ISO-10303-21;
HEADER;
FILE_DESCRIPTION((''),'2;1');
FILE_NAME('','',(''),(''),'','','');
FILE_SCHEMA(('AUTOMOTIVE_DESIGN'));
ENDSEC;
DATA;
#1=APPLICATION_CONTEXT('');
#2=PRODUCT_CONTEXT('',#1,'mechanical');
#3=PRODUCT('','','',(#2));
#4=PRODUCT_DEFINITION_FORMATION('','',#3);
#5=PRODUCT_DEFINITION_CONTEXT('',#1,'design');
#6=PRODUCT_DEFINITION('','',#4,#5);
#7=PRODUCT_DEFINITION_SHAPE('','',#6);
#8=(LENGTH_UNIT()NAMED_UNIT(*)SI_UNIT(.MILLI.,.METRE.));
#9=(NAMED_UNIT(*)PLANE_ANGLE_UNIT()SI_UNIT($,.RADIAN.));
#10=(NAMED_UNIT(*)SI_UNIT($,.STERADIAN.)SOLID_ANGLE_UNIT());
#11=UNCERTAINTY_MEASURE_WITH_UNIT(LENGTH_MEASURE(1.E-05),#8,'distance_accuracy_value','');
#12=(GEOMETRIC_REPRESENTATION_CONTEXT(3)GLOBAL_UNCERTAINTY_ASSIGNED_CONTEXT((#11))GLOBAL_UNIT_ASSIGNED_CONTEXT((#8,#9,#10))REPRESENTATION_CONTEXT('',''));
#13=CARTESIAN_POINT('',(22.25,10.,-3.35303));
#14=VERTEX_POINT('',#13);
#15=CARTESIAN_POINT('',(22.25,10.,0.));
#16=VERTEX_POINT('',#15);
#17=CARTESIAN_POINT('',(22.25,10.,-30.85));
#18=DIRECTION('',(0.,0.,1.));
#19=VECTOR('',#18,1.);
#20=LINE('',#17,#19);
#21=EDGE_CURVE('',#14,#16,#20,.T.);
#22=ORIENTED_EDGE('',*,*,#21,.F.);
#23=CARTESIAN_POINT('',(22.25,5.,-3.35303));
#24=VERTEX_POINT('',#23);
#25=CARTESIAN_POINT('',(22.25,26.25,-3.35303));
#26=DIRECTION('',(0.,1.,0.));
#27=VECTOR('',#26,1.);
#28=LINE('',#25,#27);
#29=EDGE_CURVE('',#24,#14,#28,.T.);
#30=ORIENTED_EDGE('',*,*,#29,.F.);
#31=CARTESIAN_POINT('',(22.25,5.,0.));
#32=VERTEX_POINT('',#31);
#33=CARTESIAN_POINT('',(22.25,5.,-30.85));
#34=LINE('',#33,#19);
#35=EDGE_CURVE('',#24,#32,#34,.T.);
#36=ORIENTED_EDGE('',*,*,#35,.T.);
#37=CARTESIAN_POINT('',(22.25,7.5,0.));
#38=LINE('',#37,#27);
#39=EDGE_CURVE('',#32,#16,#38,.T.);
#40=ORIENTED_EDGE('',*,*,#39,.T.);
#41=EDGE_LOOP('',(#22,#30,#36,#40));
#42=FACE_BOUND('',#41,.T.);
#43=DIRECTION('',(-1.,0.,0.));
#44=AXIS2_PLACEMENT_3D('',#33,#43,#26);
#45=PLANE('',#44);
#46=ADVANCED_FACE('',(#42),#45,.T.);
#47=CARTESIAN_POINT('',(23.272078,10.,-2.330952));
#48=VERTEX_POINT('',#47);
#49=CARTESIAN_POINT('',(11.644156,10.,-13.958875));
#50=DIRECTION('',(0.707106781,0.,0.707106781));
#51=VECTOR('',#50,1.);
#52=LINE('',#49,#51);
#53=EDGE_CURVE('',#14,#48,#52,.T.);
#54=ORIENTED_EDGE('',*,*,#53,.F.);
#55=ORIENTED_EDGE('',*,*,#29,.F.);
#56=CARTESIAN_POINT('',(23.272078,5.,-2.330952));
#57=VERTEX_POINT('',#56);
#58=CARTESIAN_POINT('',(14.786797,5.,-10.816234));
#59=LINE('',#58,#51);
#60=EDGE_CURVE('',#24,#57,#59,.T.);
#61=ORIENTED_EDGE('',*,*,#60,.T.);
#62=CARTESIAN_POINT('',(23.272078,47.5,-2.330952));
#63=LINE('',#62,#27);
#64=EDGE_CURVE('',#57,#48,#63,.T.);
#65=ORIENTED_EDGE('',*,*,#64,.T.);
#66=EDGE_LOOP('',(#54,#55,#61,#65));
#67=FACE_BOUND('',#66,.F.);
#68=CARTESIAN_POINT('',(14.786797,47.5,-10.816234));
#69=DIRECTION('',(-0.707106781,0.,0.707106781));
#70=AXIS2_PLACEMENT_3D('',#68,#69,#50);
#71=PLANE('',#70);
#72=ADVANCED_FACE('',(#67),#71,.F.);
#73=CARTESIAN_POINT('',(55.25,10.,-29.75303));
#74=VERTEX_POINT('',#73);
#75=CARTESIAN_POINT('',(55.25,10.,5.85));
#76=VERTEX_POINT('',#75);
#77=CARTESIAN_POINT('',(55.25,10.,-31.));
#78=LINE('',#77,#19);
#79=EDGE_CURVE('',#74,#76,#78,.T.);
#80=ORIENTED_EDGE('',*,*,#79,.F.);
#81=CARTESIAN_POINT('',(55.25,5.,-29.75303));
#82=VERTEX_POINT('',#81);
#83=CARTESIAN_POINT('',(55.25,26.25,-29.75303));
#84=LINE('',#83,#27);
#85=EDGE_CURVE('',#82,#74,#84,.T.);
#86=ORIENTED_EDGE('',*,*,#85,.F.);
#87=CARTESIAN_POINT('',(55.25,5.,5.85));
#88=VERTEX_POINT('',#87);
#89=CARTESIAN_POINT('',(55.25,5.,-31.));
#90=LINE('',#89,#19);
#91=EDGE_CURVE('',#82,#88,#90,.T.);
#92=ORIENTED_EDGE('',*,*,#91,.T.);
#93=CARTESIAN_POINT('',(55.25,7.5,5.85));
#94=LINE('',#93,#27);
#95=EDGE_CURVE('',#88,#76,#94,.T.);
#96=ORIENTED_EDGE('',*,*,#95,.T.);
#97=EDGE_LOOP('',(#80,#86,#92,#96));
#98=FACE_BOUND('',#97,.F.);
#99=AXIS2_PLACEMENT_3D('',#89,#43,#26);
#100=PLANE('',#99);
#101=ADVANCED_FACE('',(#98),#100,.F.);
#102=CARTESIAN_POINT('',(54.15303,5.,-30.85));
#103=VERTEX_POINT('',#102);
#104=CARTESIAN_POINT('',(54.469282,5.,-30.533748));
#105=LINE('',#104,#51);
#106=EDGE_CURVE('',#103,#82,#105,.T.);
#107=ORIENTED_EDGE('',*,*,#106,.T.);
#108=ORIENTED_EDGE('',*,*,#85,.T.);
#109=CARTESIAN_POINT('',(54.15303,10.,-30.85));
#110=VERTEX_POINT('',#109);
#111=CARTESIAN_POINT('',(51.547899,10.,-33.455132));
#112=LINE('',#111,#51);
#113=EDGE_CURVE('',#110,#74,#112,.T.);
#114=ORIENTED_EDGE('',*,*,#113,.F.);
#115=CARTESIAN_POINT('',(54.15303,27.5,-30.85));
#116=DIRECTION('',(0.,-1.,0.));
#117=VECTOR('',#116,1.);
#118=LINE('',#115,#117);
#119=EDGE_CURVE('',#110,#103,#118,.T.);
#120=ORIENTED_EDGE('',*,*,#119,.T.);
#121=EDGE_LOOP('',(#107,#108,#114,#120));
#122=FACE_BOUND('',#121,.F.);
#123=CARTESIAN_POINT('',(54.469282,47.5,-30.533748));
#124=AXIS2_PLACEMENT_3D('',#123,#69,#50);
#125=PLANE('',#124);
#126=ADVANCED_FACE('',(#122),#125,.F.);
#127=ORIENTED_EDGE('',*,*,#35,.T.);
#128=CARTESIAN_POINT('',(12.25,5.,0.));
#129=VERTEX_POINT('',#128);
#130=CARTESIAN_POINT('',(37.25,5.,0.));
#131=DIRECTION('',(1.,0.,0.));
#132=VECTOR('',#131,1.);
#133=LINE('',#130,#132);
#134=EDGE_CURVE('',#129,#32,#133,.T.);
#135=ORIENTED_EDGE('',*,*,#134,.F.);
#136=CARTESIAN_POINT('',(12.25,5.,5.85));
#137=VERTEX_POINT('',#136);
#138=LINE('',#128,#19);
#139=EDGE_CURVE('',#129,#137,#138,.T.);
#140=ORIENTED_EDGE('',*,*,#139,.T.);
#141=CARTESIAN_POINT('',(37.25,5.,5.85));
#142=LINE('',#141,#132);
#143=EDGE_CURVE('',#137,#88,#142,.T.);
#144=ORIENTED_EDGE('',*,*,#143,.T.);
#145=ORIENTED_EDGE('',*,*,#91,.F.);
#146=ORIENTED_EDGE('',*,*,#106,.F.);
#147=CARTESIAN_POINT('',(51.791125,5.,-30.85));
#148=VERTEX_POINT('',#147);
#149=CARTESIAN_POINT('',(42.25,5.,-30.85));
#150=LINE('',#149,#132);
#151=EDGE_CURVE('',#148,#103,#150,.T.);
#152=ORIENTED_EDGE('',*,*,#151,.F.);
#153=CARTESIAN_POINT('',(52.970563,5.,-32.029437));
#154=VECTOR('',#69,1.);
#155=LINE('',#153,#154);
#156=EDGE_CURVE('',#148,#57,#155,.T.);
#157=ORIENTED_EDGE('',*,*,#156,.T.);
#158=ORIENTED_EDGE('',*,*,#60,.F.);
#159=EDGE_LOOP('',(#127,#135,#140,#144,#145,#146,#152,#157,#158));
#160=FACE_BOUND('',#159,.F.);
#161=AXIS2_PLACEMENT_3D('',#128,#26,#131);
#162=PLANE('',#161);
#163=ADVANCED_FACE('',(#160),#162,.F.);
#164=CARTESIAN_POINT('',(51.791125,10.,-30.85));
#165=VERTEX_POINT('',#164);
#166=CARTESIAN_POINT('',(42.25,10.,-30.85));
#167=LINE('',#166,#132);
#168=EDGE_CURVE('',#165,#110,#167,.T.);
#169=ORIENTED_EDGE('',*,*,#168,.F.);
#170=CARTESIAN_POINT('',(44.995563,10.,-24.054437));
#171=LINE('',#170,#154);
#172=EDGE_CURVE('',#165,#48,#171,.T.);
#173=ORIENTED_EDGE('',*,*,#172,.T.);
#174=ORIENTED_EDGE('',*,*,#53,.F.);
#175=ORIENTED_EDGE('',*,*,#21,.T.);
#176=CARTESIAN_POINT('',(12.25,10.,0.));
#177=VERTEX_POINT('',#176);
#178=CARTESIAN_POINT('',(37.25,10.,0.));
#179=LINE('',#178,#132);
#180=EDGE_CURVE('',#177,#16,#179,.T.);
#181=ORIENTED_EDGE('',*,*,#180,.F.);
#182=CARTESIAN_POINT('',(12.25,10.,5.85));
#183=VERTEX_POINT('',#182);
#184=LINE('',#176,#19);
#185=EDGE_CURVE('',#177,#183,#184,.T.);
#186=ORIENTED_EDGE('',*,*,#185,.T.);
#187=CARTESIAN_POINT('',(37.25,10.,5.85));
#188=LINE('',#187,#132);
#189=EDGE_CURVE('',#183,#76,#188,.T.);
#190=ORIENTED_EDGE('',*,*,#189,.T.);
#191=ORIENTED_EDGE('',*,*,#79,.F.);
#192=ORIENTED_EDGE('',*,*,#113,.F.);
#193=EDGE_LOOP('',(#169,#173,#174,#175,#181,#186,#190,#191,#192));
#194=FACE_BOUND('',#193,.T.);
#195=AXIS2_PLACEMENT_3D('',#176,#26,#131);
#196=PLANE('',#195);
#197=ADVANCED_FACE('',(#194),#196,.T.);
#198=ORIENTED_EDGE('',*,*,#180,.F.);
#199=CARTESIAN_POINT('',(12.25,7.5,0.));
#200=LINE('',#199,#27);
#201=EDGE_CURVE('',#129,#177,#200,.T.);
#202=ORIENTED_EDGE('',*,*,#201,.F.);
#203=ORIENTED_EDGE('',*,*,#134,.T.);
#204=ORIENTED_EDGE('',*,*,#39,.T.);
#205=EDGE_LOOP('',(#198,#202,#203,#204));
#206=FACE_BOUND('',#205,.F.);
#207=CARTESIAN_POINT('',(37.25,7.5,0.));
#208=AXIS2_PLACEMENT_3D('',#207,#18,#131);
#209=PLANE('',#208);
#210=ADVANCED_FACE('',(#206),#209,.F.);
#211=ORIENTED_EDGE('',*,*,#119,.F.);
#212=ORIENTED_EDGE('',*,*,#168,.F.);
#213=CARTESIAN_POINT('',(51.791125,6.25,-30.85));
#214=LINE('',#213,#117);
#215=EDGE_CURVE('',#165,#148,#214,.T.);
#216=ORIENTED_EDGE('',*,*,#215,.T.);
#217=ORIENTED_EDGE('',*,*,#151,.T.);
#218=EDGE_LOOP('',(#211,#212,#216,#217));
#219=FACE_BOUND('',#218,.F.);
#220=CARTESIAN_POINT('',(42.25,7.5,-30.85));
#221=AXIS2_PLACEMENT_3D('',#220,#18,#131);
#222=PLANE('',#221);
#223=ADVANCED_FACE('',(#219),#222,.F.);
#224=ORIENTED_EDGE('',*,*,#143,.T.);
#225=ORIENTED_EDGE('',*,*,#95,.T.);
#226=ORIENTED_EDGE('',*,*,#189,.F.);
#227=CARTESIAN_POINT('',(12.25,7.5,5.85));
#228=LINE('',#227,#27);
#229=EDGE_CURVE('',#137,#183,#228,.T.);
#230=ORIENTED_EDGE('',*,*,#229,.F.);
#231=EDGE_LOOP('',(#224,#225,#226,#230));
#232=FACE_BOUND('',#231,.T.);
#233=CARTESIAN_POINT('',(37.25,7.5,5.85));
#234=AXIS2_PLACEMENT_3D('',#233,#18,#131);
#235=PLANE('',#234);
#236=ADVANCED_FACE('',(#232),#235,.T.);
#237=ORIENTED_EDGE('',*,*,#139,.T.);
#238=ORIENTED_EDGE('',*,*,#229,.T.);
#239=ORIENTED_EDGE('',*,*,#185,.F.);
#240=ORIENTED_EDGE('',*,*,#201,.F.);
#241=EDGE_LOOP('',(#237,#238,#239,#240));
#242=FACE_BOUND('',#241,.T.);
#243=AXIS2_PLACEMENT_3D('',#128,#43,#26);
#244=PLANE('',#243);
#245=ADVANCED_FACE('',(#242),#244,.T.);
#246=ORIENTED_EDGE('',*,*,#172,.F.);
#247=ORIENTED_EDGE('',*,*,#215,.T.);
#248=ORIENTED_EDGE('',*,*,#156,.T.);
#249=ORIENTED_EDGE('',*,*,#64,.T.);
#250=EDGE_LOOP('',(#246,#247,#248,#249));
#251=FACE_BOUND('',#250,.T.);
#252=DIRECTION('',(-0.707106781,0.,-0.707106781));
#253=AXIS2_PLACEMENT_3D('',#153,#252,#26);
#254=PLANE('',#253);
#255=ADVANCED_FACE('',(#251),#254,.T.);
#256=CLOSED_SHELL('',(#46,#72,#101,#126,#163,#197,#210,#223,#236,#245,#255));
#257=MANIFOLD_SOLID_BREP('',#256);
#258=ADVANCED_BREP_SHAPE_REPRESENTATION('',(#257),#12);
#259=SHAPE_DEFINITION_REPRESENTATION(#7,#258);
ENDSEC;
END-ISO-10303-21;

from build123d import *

# Parameters (mm, degrees)
BOX010_W               = 5
BOX010_H               = 85
BOX010_DEPTH           = 42
BOX010_PLACEMENT_ANGLE = 315
BOX007_W               = 7
BOX007_H               = 5
BOX007_DEPTH           = 36.85
BOX_W                  = 50
BOX_H                  = 5
BOX_DEPTH              = 5.85
BOX004_W               = 24
BOX004_H               = 85
BOX004_DEPTH           = 42
BOX004_PLACEMENT_ANGLE = 315
BOX002_W               = 40
BOX002_H               = 5
BOX002_DEPTH           = 30.85


with BuildPart() as cube010:
    # Box010 → Box010 (new body)
    with BuildSketch(Plane.XY):
        with Locations((2.5, 42.5)):
            Rectangle(BOX010_W, BOX010_H)
    extrude(amount=BOX010_DEPTH)


with BuildPart() as cube010_1:
    # Box010 placement: moved
    add(cube010.part.moved(Location((82.4, 5, -62))).rotate(Axis((82.4, 5, -62), (0, 1, 0)), BOX010_PLACEMENT_ANGLE))


with BuildPart() as cube007:
    # Box007 → Box007 (new body)
    with BuildSketch(Plane(origin=(55.25, 5, -31), x_dir=(1, 0, 0), z_dir=(0, 0, 1))):
        with Locations((3.5, 2.5)):
            Rectangle(BOX007_W, BOX007_H)
    extrude(amount=BOX007_DEPTH)


with BuildPart() as cube:
    # Box → Box (new body)
    with BuildSketch(Plane(origin=(12.25, 5, 0), x_dir=(1, 0, 0), z_dir=(0, 0, 1))):
        with Locations((25, 2.5)):
            Rectangle(BOX_W, BOX_H)
    extrude(amount=BOX_DEPTH)


with BuildPart() as cube004:
    # Box004 → Box004 (new body)
    with BuildSketch(Plane.XY):
        with Locations((12, 42.5)):
            Rectangle(BOX004_W, BOX004_H)
    extrude(amount=BOX004_DEPTH)


with BuildPart() as cube004_1:
    # Box004 placement: moved
    add(cube004.part.moved(Location((36, 5, -49))).rotate(Axis((36, 5, -49), (0, 1, 0)), BOX004_PLACEMENT_ANGLE))


with BuildPart() as cut005:
    # Box002 → Box002 (new body)
    with BuildSketch(Plane(origin=(22.25, 5, -30.85), x_dir=(1, 0, 0), z_dir=(0, 0, 1))):
        with Locations((20, 2.5)):
            Rectangle(BOX002_W, BOX002_H)
    extrude(amount=BOX002_DEPTH)

    # Cut: cut Cube004
    add(cube004_1.part, mode=Mode.SUBTRACT)

    # Fusion: union Cube
    add(cube.part)

    # Cut002: cut Cube007
    add(cube007.part, mode=Mode.SUBTRACT)

    # Cut005: cut Cube010
    add(cube010_1.part, mode=Mode.SUBTRACT)


solid = cut005.part
